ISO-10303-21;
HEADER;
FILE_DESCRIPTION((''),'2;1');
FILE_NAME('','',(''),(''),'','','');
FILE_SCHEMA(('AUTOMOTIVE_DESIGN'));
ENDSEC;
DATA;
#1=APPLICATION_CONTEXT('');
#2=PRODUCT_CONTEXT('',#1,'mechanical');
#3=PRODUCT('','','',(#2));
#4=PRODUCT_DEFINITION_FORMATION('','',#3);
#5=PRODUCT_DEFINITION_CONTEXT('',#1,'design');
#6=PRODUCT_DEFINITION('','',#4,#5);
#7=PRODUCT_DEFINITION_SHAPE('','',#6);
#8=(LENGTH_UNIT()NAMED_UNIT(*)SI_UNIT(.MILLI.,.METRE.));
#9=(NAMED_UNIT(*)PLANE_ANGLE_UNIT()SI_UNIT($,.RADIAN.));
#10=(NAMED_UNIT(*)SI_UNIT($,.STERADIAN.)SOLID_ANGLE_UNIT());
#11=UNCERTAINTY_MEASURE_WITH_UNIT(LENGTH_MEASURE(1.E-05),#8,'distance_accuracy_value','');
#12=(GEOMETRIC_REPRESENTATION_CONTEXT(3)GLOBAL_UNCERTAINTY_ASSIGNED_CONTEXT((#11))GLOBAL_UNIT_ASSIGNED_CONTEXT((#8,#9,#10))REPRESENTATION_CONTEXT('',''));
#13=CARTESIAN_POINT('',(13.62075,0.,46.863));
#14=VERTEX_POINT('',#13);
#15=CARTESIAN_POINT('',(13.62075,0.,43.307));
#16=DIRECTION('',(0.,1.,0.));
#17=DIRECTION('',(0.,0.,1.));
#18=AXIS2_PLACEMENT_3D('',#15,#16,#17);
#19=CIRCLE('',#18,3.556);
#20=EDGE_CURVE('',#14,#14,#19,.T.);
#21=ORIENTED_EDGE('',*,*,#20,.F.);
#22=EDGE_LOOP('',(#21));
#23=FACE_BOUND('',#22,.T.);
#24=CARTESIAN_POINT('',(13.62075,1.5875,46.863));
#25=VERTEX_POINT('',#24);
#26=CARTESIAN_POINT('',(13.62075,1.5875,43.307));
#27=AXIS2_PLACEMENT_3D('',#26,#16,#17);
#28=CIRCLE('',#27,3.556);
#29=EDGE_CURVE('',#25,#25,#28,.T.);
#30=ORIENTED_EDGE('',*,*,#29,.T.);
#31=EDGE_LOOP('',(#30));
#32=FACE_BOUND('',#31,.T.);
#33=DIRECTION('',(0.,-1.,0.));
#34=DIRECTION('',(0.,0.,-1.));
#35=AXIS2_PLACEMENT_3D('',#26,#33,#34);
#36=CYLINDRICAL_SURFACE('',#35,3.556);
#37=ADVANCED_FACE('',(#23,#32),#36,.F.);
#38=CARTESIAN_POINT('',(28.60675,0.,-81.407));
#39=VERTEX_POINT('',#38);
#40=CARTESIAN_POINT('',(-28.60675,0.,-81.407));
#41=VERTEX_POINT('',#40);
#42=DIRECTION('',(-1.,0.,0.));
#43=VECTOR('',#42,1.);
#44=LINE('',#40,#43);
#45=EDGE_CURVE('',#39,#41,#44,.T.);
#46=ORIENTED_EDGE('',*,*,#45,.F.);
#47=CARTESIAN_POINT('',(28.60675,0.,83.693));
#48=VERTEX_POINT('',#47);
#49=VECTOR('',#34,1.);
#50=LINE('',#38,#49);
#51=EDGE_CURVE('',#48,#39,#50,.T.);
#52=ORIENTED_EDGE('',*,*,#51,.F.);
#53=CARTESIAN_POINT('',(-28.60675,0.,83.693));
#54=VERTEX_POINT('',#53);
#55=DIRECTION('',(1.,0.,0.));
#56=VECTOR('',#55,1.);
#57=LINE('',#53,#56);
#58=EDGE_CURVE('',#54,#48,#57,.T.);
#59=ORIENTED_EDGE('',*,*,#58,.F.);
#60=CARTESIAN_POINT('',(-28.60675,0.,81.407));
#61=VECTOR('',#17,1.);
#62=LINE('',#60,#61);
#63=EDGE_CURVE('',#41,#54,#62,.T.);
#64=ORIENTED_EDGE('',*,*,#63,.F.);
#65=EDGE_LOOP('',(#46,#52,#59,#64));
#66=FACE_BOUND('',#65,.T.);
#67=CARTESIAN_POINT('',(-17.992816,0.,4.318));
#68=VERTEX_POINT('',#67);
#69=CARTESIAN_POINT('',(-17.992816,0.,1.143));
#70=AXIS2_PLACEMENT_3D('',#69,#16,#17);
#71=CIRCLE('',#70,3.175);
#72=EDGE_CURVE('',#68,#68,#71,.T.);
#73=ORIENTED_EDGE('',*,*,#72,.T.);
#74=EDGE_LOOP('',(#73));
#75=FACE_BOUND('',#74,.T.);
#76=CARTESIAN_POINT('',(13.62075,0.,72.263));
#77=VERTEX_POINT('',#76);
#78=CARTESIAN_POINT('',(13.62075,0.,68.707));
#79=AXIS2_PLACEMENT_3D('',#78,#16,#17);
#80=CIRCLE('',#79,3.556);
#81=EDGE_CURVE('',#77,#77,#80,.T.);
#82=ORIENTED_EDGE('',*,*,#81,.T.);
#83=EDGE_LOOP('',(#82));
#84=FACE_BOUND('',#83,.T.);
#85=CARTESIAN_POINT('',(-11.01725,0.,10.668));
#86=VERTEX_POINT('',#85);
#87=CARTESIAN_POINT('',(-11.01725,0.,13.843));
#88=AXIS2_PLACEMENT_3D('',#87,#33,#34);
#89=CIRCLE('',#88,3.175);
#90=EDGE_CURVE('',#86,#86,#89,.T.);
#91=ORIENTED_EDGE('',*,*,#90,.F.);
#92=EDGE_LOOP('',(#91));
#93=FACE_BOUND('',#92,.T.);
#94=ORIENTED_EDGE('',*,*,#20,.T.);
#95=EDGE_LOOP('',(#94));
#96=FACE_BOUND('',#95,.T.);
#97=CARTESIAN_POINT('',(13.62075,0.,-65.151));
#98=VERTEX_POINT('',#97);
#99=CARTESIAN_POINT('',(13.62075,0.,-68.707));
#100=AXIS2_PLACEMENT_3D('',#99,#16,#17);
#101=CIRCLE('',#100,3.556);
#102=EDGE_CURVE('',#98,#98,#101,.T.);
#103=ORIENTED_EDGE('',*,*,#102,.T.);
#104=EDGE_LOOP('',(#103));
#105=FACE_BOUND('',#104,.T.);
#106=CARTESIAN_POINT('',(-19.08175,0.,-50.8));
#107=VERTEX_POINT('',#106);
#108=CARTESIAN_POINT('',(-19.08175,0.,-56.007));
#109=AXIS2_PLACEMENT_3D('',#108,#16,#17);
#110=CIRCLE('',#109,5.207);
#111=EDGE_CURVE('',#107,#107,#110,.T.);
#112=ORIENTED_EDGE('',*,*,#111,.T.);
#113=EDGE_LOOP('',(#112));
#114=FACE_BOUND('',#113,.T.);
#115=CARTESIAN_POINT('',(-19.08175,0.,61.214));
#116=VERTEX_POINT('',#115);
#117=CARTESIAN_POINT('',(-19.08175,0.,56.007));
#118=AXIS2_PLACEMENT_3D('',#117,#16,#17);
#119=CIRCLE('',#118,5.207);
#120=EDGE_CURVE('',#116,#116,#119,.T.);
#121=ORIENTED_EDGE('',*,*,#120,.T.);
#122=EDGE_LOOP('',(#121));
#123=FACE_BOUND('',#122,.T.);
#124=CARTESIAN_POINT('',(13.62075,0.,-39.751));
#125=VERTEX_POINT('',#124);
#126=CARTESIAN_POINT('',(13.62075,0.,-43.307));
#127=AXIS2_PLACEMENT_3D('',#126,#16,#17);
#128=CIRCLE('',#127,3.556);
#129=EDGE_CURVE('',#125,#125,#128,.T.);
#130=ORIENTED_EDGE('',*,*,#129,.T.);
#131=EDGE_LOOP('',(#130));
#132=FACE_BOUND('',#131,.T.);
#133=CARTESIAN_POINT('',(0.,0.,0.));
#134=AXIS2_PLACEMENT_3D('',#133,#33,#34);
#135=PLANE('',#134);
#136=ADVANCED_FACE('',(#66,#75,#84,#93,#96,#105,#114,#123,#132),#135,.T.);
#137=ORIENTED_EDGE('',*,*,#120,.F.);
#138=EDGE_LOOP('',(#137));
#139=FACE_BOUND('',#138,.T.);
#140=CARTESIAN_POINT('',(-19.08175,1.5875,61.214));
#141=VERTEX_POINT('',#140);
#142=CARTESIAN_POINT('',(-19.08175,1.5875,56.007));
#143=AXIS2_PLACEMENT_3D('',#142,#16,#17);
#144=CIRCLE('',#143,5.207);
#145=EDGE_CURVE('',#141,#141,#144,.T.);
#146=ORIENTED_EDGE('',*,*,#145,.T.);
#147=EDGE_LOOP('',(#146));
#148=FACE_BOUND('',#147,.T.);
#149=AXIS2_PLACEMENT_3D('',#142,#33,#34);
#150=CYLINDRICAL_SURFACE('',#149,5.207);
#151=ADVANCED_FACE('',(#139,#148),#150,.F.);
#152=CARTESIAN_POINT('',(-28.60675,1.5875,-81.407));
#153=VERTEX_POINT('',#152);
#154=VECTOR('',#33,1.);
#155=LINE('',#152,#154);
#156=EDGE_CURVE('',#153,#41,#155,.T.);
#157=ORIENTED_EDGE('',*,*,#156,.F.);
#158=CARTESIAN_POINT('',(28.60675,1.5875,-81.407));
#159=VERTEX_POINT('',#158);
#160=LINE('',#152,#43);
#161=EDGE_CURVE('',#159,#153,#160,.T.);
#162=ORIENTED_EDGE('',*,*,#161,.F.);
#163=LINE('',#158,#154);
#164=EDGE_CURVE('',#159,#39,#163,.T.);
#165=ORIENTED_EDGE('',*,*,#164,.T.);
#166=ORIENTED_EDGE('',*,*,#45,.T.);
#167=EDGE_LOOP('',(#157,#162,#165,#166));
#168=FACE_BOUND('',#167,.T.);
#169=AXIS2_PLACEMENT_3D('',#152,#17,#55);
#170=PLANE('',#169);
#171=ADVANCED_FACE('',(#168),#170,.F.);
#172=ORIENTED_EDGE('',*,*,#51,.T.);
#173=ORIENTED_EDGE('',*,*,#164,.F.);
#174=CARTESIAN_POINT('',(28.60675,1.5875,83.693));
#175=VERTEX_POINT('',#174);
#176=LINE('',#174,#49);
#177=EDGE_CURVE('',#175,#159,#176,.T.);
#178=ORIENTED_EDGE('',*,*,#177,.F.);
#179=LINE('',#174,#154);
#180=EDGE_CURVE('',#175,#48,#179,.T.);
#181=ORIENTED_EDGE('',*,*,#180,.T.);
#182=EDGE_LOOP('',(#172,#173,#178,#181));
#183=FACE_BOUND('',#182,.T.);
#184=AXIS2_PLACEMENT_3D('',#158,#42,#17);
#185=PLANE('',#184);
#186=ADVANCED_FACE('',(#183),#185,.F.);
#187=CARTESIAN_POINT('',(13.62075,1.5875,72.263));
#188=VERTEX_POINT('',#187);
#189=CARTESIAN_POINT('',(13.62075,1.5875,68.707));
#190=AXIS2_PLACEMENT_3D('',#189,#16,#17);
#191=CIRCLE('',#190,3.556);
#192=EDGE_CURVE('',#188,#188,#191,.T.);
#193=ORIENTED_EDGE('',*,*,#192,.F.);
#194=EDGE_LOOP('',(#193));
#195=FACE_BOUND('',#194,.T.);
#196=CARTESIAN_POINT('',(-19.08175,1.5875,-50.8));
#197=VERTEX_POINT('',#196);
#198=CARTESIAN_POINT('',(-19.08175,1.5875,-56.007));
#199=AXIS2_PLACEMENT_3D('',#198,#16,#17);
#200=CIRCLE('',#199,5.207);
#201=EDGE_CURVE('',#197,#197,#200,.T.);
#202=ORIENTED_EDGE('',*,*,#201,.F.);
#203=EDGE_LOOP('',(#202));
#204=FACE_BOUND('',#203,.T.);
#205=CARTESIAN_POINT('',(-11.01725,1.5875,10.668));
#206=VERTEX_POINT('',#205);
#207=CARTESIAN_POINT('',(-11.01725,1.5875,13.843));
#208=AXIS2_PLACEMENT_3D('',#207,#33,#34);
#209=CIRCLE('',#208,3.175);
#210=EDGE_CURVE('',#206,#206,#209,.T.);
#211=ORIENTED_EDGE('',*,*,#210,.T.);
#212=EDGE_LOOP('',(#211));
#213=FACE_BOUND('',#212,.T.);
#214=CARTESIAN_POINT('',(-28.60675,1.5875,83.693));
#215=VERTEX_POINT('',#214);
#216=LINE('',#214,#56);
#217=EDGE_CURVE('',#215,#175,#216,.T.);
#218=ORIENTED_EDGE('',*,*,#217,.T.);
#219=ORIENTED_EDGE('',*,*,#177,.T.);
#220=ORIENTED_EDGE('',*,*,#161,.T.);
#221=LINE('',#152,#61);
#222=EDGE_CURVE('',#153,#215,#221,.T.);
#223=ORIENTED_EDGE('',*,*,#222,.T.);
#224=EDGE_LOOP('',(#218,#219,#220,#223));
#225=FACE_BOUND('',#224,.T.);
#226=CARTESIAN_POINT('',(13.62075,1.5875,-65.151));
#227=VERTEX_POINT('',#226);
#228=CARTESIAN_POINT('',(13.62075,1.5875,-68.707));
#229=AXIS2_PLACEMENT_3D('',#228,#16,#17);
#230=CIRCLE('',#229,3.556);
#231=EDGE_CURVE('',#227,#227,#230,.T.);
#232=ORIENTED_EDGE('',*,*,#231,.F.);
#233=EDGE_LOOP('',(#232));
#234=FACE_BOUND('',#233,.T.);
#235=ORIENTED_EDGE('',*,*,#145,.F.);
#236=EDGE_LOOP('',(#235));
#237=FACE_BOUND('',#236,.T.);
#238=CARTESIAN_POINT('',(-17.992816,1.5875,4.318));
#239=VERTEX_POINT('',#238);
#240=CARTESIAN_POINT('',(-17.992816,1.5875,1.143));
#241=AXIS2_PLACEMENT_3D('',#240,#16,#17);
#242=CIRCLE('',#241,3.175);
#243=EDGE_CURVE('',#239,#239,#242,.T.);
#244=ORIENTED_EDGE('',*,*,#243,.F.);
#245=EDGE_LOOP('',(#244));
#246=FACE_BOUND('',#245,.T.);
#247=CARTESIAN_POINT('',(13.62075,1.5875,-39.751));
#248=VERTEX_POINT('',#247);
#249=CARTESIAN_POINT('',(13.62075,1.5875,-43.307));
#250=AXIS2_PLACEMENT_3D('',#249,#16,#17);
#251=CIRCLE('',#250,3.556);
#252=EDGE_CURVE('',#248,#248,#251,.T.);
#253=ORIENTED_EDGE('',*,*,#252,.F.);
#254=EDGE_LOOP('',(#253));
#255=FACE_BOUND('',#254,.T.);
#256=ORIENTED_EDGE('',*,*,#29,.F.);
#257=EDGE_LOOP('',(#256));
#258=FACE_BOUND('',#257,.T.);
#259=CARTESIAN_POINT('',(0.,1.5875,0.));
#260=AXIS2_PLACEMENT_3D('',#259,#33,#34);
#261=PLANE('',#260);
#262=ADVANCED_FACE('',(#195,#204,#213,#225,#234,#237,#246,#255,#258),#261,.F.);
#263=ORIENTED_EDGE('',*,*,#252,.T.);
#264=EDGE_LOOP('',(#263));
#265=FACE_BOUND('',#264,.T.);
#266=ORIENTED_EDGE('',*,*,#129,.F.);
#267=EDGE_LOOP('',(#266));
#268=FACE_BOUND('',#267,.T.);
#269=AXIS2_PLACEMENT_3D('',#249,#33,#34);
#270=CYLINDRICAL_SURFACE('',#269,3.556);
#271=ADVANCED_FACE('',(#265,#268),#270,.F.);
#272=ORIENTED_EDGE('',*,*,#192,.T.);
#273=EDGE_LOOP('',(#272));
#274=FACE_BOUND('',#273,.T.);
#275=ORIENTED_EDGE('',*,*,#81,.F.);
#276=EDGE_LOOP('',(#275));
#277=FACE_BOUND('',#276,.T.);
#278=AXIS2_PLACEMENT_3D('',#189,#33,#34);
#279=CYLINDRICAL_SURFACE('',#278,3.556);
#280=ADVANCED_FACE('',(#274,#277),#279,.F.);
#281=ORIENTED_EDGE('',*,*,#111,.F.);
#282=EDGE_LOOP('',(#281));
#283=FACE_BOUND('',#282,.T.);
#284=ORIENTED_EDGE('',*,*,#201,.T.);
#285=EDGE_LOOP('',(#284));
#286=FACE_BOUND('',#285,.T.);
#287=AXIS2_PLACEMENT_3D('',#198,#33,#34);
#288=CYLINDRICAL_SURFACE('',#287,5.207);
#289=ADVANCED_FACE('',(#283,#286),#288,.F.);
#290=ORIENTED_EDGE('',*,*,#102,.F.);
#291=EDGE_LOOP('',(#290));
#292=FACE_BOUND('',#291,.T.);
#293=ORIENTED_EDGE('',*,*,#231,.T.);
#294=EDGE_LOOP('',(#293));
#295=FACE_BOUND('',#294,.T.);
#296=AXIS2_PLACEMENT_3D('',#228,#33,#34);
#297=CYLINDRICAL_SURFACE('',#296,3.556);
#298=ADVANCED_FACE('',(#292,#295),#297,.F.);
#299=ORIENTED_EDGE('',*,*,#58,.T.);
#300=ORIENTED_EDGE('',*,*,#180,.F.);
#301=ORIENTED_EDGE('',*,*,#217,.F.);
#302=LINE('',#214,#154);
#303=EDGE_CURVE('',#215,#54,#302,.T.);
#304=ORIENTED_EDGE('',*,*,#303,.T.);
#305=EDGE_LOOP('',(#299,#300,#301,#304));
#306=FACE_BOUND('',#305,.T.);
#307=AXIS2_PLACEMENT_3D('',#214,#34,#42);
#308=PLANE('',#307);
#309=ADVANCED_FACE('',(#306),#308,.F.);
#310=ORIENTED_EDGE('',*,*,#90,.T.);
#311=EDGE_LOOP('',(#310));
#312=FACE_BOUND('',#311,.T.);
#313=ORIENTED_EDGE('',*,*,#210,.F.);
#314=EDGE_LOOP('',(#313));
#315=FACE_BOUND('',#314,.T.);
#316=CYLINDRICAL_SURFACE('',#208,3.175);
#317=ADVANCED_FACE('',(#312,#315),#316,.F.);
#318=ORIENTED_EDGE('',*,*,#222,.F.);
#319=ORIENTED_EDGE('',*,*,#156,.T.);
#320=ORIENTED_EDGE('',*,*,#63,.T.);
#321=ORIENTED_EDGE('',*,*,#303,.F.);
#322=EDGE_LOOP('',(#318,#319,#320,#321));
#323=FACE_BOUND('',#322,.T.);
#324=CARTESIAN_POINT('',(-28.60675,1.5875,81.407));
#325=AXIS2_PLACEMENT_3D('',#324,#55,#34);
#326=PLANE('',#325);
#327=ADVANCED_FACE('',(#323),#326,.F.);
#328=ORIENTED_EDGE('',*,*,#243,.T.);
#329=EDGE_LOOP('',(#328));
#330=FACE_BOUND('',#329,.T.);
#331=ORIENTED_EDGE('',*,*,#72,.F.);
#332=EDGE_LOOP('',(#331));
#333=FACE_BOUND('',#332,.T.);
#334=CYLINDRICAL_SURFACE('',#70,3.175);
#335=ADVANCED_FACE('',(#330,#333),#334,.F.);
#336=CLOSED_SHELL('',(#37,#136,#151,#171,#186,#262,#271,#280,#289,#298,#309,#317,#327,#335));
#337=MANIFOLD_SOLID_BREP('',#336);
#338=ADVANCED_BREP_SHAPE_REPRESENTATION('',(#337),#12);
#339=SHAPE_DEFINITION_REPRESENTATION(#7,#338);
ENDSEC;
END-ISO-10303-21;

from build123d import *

# Parameters (mm, degrees)
SKETCH1_R           = 5.207
SKETCH1_R_2         = 3.556
BOSS_EXTRUDE1_DEPTH = 1.5875
SKETCH2_R           = 3.175
CUT_EXTRUDE1_DEPTH  = 2.5875
SKETCH3_R           = 3.175
CUT_EXTRUDE2_DEPTH  = 2.5875


with BuildPart() as part:
    # Sketch1 → Boss-Extrude1 (new body)
    with BuildSketch(Plane(origin=(0, 0, 0), x_dir=(1, 0, 0), z_dir=(0, 1, 0))):
        Polygon((-28.60675, 81.407), (28.60675, 81.407), (28.60675, -81.407), (28.60675, -83.693), (-28.60675, -83.693), (-28.60675, -81.407), align=None)
        with Locations((-19.08175, 56.007)):
            Circle(SKETCH1_R, mode=Mode.SUBTRACT)
        with Locations((-19.08175, -56.007)):
            Circle(SKETCH1_R, mode=Mode.SUBTRACT)
        with Locations((13.62075, 68.707)):
            Circle(SKETCH1_R_2, mode=Mode.SUBTRACT)
        with Locations((13.62075, 43.307)):
            Circle(SKETCH1_R_2, mode=Mode.SUBTRACT)
        with Locations((13.62075, -43.307)):
            Circle(SKETCH1_R_2, mode=Mode.SUBTRACT)
        with Locations((13.62075, -68.707)):
            Circle(SKETCH1_R_2, mode=Mode.SUBTRACT)
    extrude(amount=BOSS_EXTRUDE1_DEPTH)

    # Sketch2 → Cut-Extrude1 (cut, through all)
    with BuildSketch(Plane(origin=(0, 1.5875, 0), x_dir=(1, 0, 0), z_dir=(0, 1, 0))):
        with Locations((-17.992815678, -1.143)):
            Circle(SKETCH2_R)
    extrude(amount=-CUT_EXTRUDE1_DEPTH, mode=Mode.SUBTRACT)

    # Sketch3 → Cut-Extrude2 (cut, through all)
    with BuildSketch(Plane.XZ):
        with Locations((-11.01725, 13.843)):
            Circle(SKETCH3_R)
    extrude(amount=-CUT_EXTRUDE2_DEPTH, mode=Mode.SUBTRACT)


solid = part.part
